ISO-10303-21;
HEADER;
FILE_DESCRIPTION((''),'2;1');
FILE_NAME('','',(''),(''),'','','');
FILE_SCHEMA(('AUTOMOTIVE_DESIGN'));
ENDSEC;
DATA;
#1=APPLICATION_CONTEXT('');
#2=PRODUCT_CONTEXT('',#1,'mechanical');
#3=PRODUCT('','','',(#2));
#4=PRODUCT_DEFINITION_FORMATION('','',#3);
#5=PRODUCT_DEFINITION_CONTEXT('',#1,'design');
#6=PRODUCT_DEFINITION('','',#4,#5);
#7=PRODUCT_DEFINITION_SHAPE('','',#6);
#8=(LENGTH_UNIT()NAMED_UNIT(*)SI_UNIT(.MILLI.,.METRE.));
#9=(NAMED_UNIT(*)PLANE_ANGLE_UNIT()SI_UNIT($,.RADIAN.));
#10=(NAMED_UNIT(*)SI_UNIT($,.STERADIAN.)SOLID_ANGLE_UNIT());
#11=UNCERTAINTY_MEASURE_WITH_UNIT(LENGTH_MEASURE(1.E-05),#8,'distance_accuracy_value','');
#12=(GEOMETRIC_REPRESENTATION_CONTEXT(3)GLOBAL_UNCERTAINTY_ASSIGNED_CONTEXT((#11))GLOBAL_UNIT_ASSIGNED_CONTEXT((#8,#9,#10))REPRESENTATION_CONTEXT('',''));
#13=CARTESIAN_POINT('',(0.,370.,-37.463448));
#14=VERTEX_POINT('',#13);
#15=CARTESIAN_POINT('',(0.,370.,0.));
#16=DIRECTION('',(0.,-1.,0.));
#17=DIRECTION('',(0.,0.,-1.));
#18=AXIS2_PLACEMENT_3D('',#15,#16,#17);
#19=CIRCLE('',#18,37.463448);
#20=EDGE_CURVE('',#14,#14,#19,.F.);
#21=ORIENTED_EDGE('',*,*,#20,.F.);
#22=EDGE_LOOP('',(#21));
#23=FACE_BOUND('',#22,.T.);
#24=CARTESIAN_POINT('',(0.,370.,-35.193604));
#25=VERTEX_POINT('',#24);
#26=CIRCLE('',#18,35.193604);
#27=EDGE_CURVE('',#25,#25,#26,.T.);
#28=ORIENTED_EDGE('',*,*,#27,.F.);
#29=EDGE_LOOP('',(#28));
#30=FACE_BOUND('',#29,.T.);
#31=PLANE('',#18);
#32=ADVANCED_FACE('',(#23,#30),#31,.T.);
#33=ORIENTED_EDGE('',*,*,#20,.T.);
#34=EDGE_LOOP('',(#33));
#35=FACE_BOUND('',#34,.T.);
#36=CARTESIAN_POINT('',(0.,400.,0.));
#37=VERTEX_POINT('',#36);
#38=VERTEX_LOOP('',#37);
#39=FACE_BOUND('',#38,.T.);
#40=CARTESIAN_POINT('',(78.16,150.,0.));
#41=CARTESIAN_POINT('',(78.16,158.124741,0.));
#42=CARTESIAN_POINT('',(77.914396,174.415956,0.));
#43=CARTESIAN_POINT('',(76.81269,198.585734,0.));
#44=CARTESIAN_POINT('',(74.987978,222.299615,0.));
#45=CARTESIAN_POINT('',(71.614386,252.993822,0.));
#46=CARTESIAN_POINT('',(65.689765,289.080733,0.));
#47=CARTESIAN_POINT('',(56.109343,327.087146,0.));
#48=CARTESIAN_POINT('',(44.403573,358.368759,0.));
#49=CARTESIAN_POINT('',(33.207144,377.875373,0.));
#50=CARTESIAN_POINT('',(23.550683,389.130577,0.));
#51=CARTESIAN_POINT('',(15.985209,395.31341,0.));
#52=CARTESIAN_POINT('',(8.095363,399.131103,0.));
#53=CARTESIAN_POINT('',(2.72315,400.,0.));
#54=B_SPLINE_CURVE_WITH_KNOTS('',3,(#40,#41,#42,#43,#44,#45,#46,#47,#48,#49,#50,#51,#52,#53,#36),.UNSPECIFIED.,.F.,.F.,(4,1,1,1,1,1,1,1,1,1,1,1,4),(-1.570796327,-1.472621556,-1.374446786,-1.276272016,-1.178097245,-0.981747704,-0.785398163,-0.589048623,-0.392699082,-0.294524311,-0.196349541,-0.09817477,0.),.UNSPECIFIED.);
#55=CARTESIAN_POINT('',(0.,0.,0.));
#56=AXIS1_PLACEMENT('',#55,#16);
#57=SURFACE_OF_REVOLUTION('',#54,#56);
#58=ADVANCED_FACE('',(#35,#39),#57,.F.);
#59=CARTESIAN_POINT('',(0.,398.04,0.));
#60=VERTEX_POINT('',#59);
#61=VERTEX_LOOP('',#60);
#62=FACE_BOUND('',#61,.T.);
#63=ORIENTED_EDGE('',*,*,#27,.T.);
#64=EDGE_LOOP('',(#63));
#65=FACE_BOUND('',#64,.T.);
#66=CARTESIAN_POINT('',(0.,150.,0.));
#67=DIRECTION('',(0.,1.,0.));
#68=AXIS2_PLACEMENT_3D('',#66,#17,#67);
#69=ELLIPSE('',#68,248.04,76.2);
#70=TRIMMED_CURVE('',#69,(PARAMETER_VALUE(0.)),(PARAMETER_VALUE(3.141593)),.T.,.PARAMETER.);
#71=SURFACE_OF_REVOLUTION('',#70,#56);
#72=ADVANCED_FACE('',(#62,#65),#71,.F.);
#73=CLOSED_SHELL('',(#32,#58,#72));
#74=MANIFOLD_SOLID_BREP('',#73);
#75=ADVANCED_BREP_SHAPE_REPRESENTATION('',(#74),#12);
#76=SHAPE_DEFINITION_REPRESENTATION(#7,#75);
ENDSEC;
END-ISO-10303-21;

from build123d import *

# Parameters (mm, degrees)
BOSS_EXTRUDE1_START = -304.8
SKETCH2_R           = 76.2
SKETCH2_R_2         = 74.2
BOSS_EXTRUDE1_DEPTH = 304.8
SKETCH3_R           = 134.747251172
CUT_EXTRUDE1_DEPTH  = 537.314284008


with BuildPart() as part:
    # Sketch1 → Revolve1 (revolve)
    with BuildSketch(Plane.XY, mode=Mode.PRIVATE) as revolve1_sk:
        with BuildLine():
            Line((76.2, 150), (76.2, 0))
            Line((76.2, 0), (78.16, 0))
            Line((78.16, 0), (78.16, 150))
            add(Edge.make_bspline(
                [(0, 400), (2.723149784, 400), (8.095363208, 399.131102803), (15.985209364, 395.313409978), (23.550682528, 389.130576689), (33.207143777, 377.875372886), (44.403572502, 358.368758892), (56.109342912, 327.087146412), (65.689764926, 289.080732548), (71.61438571, 252.993821619), (74.98797824, 222.299614595), (76.812690029, 198.58573428), (77.914396428, 174.415956203), (78.16, 158.124741441), (78.16, 150)],
                knots=[-1.570796327, -1.570796327, -1.570796327, -1.570796327, -1.472621556, -1.374446786, -1.276272016, -1.178097245, -0.981747704, -0.785398163, -0.589048623, -0.392699082, -0.294524311, -0.196349541, -0.09817477, 0, 0, 0, 0], degree=3))
            Line((0, 400), (0, 398.04))
            add(Edge.make_bspline(
                [(76.2, 150), (76.2, 398.04), (0, 398.04)],
                knots=[4.71238898, 4.71238898, 4.71238898, 6.283185307, 6.283185307, 6.283185307], degree=2, weights=[1, 0.707106781, 1]))
        make_face()
    revolve(revolve1_sk.sketch.rotate(Axis((0, 0, 0), (0, 1, 0)), 90), axis=Axis((0, 0, 0), (0, 1, 0)))

    # Sketch2 → Boss-Extrude1 (add)
    with BuildSketch(Plane(origin=(0, 150, 0), x_dir=(1, 0, 0), z_dir=(0, 1, 0)).offset(BOSS_EXTRUDE1_START)):
        with Locations(Location((0, 0, 0), (0, 0, 270))):
            Circle(SKETCH2_R)
        with Locations(Location((0, 0, 0), (0, 0, 270))):
            Circle(SKETCH2_R_2, mode=Mode.SUBTRACT)
    extrude(amount=BOSS_EXTRUDE1_DEPTH)

    # Sketch3 → Cut-Extrude1 (cut, through all)
    with BuildSketch(Plane(origin=(0, 370, 0), x_dir=(-1, 0, 0), z_dir=(0, -1, 0))):
        Circle(SKETCH3_R)
    extrude(amount=CUT_EXTRUDE1_DEPTH, mode=Mode.SUBTRACT)


solid = part.part
